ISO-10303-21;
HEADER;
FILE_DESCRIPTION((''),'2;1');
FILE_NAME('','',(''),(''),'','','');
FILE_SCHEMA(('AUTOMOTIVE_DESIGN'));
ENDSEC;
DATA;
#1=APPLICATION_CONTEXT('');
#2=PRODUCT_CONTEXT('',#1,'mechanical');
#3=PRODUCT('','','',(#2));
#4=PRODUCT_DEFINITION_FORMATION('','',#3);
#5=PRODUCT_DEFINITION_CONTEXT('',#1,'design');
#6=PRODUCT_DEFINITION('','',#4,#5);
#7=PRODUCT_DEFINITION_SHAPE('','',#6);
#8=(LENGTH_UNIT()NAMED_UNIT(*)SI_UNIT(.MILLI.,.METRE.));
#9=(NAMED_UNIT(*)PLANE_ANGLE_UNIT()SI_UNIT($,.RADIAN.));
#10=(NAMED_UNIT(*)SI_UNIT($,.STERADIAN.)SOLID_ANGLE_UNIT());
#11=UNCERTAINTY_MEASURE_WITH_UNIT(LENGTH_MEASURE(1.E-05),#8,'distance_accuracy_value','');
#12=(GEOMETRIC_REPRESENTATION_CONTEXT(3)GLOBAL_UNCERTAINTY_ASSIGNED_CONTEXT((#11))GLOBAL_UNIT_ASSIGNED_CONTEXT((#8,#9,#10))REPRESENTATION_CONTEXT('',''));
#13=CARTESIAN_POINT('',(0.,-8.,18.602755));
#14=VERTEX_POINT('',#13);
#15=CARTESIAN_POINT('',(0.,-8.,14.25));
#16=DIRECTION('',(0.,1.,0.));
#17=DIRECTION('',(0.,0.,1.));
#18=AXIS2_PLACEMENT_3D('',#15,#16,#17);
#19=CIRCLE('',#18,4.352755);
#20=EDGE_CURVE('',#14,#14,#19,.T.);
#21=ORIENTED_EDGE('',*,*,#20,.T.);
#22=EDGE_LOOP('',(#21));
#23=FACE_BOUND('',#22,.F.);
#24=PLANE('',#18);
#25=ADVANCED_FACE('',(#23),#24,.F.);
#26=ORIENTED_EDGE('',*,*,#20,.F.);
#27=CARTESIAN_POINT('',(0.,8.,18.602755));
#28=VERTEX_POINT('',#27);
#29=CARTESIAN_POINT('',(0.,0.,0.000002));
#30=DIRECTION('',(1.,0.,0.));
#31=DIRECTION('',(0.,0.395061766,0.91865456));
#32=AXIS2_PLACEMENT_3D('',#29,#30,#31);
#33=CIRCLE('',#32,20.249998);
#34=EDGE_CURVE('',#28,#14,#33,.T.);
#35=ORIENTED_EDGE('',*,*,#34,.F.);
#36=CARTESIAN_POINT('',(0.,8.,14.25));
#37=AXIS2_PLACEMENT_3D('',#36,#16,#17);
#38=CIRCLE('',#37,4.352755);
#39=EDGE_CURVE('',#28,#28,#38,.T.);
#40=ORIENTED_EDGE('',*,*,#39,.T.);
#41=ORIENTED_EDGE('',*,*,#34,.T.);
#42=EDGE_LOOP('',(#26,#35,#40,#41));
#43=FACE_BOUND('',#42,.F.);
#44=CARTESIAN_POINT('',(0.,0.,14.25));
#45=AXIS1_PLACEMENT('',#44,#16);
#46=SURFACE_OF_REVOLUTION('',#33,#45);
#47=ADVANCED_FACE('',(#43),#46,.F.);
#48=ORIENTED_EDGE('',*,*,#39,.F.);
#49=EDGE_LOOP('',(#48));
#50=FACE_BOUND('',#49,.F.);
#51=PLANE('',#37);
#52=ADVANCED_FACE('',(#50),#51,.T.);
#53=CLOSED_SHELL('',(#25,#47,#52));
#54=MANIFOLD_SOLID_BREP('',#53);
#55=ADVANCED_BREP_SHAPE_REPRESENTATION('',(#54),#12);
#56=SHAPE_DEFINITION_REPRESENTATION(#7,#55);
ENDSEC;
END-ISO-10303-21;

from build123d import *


with BuildPart() as f1:
    # F0 (on Right) → F1 (revolve)
    with BuildSketch(Plane.YZ):
        with BuildLine():
            Line((8, 14.25), (8, 18.602755))
            ThreePointArc((8, 18.602755), (0, 20.25), (-8, 18.602755))
            Line((-8, 18.602755), (-8, 14.25))
            Line((-8, 14.25), (8, 14.25))
        make_face()
    revolve(axis=Axis((0, 0, 14.25), (0, 1, 0)))


solid = f1.part
